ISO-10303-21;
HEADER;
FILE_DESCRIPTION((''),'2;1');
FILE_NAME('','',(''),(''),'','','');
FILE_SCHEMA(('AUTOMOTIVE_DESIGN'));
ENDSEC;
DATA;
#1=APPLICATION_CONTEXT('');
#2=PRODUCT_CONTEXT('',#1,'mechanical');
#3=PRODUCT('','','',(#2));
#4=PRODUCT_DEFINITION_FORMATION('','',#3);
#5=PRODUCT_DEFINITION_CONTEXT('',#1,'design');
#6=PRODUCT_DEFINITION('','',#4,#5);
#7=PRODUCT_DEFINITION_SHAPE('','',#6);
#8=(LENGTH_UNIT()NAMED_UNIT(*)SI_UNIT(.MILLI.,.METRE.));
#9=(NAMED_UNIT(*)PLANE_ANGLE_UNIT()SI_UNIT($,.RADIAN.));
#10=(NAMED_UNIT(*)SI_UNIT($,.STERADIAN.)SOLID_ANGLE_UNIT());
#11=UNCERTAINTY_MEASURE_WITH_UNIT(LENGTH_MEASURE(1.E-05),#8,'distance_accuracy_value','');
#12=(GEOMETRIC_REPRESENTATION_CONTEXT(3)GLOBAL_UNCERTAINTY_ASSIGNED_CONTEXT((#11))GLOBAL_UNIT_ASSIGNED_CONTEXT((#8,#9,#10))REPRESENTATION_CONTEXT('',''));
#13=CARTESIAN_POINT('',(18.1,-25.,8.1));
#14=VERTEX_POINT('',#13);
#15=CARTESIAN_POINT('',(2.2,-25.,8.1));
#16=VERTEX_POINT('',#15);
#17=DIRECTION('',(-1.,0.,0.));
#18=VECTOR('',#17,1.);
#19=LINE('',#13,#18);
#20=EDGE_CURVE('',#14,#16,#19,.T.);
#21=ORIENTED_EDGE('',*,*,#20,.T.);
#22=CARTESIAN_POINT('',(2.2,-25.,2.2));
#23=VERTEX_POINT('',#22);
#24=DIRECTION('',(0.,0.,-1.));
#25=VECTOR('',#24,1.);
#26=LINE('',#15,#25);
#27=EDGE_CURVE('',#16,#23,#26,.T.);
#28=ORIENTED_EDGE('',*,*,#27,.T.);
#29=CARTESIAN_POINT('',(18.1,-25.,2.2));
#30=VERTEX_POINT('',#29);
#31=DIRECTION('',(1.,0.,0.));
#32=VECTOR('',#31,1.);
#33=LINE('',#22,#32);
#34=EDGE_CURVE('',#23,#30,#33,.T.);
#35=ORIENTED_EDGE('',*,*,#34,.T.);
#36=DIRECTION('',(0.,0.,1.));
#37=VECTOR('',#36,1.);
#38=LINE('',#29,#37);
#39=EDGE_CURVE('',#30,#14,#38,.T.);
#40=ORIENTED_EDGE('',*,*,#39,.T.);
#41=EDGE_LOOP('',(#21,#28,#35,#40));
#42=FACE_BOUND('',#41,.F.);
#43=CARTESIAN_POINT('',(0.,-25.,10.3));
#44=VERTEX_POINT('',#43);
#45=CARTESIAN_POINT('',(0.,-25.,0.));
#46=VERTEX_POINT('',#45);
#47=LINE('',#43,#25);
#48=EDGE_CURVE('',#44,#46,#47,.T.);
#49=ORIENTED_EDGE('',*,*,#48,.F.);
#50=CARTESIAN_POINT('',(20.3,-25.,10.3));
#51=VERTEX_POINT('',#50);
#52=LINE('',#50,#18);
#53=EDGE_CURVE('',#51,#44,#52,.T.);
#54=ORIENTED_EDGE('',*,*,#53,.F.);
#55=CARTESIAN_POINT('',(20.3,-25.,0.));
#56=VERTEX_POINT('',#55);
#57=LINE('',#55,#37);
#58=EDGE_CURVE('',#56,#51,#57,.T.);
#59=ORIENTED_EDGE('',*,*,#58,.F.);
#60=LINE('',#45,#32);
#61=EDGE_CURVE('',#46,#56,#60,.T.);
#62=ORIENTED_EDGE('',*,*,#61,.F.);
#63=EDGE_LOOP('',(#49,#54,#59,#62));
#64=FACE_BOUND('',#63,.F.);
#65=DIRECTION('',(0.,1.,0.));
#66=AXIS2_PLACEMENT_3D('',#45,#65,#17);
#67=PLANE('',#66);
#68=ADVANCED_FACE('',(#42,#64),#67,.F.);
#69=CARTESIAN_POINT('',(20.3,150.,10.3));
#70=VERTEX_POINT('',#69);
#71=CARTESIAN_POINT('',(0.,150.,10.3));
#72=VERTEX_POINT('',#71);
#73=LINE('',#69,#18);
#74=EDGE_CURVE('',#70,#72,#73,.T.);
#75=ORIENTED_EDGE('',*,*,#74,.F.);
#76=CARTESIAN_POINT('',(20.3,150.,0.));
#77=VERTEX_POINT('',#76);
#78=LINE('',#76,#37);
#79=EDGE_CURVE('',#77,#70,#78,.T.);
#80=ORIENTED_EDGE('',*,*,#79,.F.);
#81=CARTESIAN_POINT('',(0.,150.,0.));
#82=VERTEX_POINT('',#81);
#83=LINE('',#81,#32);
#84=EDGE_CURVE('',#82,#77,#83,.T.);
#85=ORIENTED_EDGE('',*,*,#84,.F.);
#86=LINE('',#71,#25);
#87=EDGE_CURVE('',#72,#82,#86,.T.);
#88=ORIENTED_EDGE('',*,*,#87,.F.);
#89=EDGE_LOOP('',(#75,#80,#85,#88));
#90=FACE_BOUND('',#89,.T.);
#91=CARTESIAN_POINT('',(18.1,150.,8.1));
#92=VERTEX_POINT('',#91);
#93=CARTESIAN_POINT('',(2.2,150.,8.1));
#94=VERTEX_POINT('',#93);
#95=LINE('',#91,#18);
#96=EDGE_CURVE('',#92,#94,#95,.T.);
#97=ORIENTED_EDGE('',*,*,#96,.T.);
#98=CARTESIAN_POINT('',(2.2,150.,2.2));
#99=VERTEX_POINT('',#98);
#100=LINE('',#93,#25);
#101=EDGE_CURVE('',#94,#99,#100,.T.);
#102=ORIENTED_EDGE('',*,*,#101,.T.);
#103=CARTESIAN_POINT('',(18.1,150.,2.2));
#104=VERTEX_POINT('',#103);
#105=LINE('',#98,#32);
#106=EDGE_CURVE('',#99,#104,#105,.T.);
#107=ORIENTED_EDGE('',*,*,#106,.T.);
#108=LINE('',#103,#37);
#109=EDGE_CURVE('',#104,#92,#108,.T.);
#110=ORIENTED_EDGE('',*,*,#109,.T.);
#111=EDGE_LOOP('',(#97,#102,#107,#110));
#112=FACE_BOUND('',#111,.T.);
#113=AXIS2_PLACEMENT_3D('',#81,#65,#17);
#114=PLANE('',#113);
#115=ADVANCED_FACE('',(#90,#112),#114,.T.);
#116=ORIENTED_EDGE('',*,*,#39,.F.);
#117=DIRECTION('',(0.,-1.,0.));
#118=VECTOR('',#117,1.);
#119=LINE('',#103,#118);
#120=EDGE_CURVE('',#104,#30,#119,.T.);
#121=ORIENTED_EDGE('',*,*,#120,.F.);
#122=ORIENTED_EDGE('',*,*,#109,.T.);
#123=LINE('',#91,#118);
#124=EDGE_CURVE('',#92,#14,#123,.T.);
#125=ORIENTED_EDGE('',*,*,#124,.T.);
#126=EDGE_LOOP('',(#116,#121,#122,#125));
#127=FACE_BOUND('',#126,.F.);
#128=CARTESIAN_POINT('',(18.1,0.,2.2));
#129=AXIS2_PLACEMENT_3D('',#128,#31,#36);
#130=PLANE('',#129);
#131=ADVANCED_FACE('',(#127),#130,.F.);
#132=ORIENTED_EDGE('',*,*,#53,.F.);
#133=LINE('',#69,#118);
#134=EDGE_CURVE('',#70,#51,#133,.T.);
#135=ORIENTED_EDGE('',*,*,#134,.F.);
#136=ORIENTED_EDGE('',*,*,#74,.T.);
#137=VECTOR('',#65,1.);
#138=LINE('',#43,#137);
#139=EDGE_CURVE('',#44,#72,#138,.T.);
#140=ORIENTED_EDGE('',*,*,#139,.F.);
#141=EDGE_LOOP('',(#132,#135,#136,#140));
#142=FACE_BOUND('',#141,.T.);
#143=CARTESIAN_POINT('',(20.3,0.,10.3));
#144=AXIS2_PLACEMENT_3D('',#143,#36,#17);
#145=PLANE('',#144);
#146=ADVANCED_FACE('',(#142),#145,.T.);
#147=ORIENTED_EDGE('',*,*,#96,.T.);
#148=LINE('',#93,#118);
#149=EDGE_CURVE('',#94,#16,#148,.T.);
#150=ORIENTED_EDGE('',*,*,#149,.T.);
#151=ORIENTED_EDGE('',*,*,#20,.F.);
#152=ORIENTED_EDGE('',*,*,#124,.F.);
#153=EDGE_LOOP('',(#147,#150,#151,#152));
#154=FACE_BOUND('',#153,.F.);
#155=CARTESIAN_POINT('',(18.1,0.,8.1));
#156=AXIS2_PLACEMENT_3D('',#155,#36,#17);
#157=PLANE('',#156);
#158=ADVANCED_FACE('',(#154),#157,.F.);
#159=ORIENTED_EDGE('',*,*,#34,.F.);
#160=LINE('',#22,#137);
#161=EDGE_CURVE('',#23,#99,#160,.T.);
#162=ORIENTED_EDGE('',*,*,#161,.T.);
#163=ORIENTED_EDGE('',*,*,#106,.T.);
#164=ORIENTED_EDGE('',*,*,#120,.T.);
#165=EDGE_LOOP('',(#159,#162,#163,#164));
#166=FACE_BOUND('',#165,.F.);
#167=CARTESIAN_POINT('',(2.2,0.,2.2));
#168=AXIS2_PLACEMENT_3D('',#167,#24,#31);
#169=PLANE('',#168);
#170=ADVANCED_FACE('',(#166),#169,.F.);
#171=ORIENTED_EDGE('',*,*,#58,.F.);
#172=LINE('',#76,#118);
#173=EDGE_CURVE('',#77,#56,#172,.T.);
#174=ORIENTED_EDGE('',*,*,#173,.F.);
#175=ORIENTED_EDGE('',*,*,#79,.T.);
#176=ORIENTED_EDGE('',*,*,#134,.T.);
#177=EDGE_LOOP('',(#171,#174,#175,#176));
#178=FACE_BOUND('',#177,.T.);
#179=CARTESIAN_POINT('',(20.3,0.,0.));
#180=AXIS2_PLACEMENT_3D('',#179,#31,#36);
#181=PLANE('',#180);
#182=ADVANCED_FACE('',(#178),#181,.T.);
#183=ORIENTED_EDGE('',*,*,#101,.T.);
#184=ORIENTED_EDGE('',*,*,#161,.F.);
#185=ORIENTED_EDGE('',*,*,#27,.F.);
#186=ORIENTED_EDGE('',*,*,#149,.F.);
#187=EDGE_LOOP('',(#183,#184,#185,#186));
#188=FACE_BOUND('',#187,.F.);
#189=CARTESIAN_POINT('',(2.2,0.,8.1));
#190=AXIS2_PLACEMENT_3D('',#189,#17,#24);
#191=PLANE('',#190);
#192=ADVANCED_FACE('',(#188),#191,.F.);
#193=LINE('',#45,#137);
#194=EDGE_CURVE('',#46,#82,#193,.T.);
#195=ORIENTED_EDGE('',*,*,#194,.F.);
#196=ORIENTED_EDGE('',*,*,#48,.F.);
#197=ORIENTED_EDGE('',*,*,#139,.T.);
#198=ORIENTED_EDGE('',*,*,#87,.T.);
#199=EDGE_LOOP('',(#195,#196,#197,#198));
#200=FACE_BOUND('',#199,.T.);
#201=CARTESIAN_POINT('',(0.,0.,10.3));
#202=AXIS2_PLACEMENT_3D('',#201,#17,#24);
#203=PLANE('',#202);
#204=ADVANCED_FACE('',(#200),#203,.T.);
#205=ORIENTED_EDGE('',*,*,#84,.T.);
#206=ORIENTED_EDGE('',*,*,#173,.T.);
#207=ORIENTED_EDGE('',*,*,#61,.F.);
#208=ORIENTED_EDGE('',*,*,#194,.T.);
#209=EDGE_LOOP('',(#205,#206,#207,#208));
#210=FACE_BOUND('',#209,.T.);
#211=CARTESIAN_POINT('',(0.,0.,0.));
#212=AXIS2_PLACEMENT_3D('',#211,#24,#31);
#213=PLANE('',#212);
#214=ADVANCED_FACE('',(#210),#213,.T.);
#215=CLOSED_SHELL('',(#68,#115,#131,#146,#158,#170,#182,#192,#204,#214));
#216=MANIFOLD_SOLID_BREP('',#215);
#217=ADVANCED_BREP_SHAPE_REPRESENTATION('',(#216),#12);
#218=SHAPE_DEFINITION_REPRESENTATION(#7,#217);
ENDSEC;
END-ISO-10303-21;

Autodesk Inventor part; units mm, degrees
ref_plane "YZ Plane" through (0, 0, 0) normal (1, 0, 0) x (0, 1, 0)
ref_plane "XZ Plane" through (0, 0, 0) normal (0, 1, 0) x (-1, 0, 0)
ref_plane "XY Plane" through (0, 0, 0) normal (0, 0, 1) x (1, 0, 0)
sketch "Sketch1" plane through (0, 0, 0) normal (0, 1, 0) x (-1, 0, 0)
  line L0 (0, 0) -> (-20.3, 0)
  line L1 (-20.3, 0) -> (-20.3, 10.3)
  line L2 (-20.3, 10.3) -> (0, 10.3)
  line L3 (0, 10.3) -> (0, 0)
  line L4 (-2.2, 2.2) -> (-18.1, 2.2)
  line L5 (-18.1, 2.2) -> (-18.1, 8.1)
  line L6 (-18.1, 8.1) -> (-2.2, 8.1)
  line L7 (-2.2, 8.1) -> (-2.2, 2.2)
  dimension "d0" = 20.3
  dimension "d1" = 10.3
  dimension "d2" = 2.2
extrude "Extrusion1" add sketch "Sketch1" along normal blind 150
extrude "Extrusion2" add sketch "Sketch1" against normal blind 25
properties part number "Beam" material "Aluminum 3004-O"
